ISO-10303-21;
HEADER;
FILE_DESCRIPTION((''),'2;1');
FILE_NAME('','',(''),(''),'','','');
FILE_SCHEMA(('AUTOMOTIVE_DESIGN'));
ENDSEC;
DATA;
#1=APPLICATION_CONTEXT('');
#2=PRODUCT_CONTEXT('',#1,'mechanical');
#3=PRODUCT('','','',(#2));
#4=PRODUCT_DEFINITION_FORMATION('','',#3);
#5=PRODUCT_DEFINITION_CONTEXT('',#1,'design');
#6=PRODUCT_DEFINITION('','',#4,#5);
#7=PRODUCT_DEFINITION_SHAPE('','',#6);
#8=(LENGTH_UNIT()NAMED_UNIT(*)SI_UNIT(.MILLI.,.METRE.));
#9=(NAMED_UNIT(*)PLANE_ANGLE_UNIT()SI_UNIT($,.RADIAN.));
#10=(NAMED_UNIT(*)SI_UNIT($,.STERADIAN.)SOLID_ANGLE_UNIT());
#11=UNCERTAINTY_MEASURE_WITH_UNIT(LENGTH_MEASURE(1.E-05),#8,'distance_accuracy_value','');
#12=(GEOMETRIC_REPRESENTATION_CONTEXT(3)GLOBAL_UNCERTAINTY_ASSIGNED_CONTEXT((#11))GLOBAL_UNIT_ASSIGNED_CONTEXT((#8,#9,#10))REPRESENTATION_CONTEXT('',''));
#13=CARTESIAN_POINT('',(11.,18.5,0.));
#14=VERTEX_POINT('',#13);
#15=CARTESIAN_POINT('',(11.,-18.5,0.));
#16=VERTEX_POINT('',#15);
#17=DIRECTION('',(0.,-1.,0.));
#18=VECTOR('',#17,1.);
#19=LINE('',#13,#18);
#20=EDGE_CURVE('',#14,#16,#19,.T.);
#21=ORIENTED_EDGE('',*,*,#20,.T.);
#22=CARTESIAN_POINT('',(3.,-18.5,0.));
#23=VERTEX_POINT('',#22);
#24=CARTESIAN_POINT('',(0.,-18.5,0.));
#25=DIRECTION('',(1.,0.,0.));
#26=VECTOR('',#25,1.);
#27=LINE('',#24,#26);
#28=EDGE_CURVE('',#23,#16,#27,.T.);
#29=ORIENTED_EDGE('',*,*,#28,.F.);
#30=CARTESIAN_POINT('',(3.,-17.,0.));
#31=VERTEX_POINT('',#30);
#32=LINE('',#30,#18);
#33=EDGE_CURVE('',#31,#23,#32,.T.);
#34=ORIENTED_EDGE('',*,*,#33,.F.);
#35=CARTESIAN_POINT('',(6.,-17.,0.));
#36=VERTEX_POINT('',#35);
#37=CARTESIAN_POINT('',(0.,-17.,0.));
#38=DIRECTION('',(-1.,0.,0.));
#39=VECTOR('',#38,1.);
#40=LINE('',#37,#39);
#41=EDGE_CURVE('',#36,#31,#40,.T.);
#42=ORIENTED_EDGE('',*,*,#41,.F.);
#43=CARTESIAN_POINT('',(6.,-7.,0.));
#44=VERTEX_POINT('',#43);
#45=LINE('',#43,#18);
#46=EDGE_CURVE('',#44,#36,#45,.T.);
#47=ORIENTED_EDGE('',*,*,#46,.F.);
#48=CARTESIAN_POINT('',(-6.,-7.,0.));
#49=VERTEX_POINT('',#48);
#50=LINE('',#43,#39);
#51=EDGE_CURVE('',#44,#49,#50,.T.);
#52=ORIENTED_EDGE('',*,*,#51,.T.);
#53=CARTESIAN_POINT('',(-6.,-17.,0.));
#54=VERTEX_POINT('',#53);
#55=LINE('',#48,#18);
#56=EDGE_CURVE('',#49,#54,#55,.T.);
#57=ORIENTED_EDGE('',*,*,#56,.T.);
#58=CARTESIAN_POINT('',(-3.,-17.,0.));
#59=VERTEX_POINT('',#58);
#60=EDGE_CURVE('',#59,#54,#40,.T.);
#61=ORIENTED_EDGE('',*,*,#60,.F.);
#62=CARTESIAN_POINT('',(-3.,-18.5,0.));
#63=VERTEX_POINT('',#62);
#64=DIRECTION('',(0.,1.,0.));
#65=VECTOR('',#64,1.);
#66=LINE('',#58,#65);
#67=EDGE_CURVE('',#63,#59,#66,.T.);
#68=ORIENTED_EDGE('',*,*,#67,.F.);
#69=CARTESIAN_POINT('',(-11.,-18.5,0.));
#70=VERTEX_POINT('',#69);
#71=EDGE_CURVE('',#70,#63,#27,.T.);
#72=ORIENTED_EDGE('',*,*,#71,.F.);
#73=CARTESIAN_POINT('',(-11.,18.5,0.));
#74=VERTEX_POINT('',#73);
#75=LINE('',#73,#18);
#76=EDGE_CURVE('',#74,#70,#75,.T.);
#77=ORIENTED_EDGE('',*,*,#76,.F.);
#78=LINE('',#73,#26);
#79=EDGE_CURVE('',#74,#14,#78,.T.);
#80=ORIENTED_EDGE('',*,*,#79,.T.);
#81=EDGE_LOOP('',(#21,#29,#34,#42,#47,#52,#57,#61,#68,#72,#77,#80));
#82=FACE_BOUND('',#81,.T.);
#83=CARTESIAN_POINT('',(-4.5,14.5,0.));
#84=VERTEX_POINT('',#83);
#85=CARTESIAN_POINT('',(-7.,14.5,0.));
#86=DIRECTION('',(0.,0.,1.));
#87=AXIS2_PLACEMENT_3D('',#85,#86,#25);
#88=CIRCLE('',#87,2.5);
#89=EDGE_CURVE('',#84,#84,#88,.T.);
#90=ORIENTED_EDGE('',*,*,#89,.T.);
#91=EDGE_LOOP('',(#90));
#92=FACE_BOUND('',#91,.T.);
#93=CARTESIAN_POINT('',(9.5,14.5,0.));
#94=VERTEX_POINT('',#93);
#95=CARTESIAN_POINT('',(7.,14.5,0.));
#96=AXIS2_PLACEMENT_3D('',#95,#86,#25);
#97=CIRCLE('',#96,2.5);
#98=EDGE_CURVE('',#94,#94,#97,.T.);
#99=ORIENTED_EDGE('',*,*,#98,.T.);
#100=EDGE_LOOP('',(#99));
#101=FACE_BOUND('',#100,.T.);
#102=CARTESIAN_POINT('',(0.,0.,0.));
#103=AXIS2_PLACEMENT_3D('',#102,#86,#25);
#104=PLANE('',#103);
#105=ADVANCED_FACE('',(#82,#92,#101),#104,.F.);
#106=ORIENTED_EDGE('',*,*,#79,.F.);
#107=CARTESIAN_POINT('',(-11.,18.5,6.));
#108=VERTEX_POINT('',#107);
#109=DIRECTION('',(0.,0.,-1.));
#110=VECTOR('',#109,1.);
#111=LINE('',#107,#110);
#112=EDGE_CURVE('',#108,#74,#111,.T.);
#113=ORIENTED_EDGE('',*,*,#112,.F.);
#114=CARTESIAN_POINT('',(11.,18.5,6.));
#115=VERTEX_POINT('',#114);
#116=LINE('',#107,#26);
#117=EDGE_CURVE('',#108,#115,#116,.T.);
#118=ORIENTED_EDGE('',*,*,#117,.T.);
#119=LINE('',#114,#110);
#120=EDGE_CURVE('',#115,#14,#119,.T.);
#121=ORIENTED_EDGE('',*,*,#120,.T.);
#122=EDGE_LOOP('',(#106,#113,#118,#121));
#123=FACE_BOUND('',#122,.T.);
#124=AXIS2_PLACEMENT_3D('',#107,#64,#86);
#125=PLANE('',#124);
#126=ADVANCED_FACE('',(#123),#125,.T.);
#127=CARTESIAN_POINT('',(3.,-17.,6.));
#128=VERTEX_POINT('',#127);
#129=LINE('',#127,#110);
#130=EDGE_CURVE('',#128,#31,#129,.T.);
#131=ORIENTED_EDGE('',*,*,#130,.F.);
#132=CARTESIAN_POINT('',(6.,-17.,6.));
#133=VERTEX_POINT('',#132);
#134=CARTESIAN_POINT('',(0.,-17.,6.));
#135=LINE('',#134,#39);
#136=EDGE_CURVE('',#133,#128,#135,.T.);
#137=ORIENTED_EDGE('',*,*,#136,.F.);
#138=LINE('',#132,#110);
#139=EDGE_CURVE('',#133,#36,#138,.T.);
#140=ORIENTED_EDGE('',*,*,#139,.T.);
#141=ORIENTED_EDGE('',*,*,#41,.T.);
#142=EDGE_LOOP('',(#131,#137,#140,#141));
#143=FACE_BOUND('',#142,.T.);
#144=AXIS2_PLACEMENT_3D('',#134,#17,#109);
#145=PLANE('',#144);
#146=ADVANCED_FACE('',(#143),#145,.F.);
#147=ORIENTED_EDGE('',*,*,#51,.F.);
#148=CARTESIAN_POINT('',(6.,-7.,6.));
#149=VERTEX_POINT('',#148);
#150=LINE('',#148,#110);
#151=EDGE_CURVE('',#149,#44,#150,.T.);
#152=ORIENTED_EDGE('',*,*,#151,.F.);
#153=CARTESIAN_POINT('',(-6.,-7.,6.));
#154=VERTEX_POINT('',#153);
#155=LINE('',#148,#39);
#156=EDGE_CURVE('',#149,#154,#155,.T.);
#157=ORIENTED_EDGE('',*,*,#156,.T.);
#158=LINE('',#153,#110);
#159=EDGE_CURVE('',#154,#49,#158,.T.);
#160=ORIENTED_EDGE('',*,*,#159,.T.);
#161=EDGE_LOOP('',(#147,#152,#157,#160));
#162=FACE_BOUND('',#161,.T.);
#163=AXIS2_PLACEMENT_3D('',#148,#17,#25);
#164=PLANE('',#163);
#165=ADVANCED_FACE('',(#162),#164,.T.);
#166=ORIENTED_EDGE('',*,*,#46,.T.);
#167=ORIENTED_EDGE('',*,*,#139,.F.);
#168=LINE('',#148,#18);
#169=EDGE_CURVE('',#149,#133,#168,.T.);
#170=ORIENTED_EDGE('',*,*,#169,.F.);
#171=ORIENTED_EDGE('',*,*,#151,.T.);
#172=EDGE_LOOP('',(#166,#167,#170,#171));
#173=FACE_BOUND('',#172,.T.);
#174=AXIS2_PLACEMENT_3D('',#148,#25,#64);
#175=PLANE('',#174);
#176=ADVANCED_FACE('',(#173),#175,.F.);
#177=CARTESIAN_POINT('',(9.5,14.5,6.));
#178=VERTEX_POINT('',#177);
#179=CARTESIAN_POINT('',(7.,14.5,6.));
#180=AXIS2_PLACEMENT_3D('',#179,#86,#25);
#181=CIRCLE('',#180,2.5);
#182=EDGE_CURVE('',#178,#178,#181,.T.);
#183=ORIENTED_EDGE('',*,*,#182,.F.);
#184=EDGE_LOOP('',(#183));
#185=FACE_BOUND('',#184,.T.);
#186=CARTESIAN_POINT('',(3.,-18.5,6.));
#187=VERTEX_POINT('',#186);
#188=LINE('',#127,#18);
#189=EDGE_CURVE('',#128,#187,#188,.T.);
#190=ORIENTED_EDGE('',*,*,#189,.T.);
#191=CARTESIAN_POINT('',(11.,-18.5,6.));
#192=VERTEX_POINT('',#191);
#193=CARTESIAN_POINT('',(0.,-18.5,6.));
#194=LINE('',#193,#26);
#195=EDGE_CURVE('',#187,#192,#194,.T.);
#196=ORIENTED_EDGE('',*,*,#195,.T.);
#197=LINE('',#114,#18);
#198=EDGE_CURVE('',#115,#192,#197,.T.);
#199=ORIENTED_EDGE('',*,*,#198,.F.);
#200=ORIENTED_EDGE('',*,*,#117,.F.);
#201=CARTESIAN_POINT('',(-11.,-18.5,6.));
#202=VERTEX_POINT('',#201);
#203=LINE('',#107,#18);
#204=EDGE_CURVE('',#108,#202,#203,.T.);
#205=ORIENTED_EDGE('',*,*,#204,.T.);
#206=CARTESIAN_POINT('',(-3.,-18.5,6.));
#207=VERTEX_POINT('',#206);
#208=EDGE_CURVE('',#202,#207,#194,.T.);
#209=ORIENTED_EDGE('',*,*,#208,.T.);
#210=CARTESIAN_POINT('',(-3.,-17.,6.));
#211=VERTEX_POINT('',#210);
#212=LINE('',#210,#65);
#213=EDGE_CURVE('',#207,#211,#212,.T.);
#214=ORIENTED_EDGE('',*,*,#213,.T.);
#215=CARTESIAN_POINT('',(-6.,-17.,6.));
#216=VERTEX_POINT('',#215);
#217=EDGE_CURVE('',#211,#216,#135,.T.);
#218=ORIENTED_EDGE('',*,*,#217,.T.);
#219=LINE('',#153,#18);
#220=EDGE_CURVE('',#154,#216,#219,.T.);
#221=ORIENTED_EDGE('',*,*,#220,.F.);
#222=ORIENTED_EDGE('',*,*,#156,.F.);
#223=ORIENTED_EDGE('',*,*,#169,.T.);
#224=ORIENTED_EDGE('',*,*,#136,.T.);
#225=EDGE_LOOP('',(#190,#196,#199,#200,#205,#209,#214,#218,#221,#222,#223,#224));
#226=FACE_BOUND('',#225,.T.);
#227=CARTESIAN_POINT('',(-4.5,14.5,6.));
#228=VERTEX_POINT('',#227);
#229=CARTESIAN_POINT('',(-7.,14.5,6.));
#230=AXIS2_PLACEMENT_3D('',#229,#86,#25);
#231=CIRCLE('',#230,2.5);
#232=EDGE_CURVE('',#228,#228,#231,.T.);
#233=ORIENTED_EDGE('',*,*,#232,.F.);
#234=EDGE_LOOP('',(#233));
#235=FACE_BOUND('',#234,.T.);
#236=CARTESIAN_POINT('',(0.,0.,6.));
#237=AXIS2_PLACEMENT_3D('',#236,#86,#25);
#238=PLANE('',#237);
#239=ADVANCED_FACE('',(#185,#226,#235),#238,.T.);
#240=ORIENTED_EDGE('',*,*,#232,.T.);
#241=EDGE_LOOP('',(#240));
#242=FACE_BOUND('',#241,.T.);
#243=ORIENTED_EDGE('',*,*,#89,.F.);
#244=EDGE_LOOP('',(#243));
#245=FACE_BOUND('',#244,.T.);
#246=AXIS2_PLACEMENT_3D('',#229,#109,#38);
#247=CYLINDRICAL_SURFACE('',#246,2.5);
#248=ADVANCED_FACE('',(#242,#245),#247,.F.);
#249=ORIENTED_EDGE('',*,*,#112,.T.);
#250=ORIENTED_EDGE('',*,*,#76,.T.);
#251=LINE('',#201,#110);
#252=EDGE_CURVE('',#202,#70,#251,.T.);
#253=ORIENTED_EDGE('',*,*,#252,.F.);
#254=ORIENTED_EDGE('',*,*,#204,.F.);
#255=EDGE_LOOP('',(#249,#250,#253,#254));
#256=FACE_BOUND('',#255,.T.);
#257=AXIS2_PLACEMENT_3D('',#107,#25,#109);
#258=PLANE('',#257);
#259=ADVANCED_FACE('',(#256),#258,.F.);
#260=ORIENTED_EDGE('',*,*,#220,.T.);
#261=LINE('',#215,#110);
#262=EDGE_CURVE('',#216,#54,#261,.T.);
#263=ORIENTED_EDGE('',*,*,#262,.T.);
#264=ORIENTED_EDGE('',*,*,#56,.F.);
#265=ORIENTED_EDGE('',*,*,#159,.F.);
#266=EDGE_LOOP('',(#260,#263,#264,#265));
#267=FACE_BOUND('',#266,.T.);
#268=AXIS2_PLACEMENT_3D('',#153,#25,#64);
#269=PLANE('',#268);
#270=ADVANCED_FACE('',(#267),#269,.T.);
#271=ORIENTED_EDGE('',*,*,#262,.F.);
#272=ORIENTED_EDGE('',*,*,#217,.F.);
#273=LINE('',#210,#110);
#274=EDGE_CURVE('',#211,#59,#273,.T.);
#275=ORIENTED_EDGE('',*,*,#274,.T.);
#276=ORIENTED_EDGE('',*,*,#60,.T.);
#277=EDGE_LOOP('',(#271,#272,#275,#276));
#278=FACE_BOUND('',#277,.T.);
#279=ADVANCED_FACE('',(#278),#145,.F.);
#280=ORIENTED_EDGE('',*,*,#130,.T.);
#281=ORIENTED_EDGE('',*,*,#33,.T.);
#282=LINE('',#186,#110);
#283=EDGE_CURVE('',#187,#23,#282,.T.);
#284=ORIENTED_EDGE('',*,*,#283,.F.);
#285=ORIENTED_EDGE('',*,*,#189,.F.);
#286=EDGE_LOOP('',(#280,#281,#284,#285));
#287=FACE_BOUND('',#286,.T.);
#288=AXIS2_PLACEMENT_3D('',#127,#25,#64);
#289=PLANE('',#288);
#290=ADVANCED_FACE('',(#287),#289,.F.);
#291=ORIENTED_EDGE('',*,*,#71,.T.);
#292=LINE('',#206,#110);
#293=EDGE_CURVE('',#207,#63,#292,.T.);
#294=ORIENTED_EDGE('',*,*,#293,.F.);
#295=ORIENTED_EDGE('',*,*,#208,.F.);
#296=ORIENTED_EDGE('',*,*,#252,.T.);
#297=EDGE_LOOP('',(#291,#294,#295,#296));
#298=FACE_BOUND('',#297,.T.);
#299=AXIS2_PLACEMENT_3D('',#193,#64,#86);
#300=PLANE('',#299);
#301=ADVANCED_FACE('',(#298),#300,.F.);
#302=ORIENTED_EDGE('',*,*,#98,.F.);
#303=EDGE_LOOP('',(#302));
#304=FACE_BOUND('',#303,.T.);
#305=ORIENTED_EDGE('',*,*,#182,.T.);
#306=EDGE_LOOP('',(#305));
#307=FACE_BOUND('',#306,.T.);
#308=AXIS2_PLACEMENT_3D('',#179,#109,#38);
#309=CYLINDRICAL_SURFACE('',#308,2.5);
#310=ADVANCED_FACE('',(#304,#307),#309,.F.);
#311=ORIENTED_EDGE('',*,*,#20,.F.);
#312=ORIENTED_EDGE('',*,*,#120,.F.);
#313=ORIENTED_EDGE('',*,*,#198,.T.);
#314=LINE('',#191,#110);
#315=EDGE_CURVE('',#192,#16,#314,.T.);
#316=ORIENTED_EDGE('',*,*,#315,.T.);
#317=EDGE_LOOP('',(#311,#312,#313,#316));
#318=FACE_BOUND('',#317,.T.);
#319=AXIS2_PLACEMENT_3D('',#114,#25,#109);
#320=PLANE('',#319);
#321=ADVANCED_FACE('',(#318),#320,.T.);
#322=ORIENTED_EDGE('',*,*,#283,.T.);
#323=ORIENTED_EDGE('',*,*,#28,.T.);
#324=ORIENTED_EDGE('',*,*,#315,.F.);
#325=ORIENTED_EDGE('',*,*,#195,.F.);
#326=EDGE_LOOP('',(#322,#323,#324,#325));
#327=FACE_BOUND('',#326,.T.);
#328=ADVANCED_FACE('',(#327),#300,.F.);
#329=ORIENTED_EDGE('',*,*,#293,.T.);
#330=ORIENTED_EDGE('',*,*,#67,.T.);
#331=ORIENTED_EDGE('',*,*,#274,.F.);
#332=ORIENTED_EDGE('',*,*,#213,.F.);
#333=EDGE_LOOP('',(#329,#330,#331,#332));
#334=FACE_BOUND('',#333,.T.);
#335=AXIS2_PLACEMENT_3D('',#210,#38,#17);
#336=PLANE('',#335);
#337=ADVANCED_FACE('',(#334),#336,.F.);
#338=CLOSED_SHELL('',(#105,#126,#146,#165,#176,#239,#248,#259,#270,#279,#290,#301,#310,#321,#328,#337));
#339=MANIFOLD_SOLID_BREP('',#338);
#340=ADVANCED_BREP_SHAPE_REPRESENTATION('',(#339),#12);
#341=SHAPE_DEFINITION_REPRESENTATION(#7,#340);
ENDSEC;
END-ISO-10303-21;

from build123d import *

# Parameters (mm, degrees)
SKETCH1_W           = 22
SKETCH1_H           = 37
SKETCH1_R           = 2.5
SKETCH1_W_2         = 12
SKETCH1_H_2         = 10
BOSS_EXTRUDE2_DEPTH = 6
CUT_EXTRUDE2_DEPTH  = 6


with BuildPart() as part:
    # Sketch1 → Boss-Extrude2 (new body)
    with BuildSketch(Plane.XY):
        Rectangle(SKETCH1_W, SKETCH1_H)
        with Locations((-7, 14.5)):
            Circle(SKETCH1_R, mode=Mode.SUBTRACT)
        with Locations((7, 14.5)):
            Circle(SKETCH1_R, mode=Mode.SUBTRACT)
        with Locations((0, -12)):
            Rectangle(SKETCH1_W_2, SKETCH1_H_2, mode=Mode.SUBTRACT)
    extrude(amount=BOSS_EXTRUDE2_DEPTH)

    # Sketch3 → Cut-Extrude2 (cut)
    with BuildSketch(Plane(origin=(0, 0, 0), x_dir=(-1, 0, 0), z_dir=(0, 0, -1))):
        Polygon((0, -17), (-3, -17), (-3, -18.5), (0, -18.5), (3, -18.5), (3, -17), align=None)
    extrude(amount=-CUT_EXTRUDE2_DEPTH, mode=Mode.SUBTRACT)


solid = part.part
